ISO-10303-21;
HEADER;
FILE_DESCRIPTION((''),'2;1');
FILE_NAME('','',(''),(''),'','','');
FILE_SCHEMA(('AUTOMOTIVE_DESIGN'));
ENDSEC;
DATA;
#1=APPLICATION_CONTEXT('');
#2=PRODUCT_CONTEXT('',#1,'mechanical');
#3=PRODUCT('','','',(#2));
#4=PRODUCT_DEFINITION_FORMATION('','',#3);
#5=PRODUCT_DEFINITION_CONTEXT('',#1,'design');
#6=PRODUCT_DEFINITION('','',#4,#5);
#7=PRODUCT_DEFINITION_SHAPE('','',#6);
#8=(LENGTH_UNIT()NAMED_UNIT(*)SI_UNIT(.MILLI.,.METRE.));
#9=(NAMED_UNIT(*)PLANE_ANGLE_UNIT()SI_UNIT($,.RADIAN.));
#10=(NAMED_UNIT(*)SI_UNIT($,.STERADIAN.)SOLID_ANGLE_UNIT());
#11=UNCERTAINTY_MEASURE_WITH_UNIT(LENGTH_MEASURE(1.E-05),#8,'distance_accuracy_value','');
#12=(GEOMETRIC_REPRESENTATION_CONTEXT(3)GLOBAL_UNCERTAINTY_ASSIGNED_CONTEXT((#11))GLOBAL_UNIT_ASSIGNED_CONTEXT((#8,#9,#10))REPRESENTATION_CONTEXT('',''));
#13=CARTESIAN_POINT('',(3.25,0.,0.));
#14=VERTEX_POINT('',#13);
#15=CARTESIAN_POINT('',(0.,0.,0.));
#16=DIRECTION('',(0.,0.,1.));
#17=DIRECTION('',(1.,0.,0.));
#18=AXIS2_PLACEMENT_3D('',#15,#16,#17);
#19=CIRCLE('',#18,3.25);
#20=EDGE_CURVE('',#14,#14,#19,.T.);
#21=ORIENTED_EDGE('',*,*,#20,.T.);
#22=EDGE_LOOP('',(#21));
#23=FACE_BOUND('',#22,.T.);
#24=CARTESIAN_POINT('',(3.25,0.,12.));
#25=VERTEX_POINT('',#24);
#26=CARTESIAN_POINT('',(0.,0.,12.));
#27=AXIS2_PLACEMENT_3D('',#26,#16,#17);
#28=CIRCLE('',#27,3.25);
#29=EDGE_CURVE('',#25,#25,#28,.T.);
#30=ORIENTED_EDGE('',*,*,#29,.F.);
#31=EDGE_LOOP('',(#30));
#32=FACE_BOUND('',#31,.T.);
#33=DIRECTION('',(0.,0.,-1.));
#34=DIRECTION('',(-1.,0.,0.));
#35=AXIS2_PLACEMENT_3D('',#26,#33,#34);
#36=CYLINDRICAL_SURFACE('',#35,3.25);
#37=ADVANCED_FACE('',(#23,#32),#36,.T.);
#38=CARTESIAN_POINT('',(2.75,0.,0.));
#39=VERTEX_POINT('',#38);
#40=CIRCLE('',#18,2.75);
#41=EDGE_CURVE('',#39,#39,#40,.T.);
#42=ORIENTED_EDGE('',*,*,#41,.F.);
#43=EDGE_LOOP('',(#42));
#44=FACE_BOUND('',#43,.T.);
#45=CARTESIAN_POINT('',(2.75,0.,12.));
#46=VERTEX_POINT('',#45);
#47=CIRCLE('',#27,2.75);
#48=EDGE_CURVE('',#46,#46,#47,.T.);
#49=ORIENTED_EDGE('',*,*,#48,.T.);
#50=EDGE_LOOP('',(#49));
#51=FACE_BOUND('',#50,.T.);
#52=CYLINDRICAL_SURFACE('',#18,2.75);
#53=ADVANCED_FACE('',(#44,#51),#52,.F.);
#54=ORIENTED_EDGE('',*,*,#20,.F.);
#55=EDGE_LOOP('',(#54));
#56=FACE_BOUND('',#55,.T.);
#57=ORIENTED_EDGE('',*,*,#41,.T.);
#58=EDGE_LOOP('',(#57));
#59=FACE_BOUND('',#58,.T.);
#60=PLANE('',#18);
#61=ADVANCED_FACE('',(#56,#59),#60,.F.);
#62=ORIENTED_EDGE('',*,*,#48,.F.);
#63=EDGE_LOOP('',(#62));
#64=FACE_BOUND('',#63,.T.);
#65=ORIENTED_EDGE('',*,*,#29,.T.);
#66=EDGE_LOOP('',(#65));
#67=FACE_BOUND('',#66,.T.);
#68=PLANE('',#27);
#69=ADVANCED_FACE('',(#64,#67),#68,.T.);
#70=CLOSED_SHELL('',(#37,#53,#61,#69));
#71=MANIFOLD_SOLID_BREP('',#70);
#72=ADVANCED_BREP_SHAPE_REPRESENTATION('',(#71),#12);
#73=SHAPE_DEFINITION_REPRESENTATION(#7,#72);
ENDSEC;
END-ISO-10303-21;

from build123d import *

# Parameters (mm, degrees)
SKETCH1_R           = 3.25
BOSS_EXTRUDE1_DEPTH = 12
SKETCH4_R           = 2.75
CUT_EXTRUDE3_DEPTH  = 12


with BuildPart() as part:
    # Sketch1 → Boss-Extrude1 (new body)
    with BuildSketch(Plane.XY):
        Circle(SKETCH1_R)
    extrude(amount=BOSS_EXTRUDE1_DEPTH)

    # Sketch4 → Cut-Extrude3 (cut)
    with BuildSketch(Plane.XY.offset(12)):
        Circle(SKETCH4_R)
    extrude(amount=-CUT_EXTRUDE3_DEPTH, mode=Mode.SUBTRACT)


solid = part.part
